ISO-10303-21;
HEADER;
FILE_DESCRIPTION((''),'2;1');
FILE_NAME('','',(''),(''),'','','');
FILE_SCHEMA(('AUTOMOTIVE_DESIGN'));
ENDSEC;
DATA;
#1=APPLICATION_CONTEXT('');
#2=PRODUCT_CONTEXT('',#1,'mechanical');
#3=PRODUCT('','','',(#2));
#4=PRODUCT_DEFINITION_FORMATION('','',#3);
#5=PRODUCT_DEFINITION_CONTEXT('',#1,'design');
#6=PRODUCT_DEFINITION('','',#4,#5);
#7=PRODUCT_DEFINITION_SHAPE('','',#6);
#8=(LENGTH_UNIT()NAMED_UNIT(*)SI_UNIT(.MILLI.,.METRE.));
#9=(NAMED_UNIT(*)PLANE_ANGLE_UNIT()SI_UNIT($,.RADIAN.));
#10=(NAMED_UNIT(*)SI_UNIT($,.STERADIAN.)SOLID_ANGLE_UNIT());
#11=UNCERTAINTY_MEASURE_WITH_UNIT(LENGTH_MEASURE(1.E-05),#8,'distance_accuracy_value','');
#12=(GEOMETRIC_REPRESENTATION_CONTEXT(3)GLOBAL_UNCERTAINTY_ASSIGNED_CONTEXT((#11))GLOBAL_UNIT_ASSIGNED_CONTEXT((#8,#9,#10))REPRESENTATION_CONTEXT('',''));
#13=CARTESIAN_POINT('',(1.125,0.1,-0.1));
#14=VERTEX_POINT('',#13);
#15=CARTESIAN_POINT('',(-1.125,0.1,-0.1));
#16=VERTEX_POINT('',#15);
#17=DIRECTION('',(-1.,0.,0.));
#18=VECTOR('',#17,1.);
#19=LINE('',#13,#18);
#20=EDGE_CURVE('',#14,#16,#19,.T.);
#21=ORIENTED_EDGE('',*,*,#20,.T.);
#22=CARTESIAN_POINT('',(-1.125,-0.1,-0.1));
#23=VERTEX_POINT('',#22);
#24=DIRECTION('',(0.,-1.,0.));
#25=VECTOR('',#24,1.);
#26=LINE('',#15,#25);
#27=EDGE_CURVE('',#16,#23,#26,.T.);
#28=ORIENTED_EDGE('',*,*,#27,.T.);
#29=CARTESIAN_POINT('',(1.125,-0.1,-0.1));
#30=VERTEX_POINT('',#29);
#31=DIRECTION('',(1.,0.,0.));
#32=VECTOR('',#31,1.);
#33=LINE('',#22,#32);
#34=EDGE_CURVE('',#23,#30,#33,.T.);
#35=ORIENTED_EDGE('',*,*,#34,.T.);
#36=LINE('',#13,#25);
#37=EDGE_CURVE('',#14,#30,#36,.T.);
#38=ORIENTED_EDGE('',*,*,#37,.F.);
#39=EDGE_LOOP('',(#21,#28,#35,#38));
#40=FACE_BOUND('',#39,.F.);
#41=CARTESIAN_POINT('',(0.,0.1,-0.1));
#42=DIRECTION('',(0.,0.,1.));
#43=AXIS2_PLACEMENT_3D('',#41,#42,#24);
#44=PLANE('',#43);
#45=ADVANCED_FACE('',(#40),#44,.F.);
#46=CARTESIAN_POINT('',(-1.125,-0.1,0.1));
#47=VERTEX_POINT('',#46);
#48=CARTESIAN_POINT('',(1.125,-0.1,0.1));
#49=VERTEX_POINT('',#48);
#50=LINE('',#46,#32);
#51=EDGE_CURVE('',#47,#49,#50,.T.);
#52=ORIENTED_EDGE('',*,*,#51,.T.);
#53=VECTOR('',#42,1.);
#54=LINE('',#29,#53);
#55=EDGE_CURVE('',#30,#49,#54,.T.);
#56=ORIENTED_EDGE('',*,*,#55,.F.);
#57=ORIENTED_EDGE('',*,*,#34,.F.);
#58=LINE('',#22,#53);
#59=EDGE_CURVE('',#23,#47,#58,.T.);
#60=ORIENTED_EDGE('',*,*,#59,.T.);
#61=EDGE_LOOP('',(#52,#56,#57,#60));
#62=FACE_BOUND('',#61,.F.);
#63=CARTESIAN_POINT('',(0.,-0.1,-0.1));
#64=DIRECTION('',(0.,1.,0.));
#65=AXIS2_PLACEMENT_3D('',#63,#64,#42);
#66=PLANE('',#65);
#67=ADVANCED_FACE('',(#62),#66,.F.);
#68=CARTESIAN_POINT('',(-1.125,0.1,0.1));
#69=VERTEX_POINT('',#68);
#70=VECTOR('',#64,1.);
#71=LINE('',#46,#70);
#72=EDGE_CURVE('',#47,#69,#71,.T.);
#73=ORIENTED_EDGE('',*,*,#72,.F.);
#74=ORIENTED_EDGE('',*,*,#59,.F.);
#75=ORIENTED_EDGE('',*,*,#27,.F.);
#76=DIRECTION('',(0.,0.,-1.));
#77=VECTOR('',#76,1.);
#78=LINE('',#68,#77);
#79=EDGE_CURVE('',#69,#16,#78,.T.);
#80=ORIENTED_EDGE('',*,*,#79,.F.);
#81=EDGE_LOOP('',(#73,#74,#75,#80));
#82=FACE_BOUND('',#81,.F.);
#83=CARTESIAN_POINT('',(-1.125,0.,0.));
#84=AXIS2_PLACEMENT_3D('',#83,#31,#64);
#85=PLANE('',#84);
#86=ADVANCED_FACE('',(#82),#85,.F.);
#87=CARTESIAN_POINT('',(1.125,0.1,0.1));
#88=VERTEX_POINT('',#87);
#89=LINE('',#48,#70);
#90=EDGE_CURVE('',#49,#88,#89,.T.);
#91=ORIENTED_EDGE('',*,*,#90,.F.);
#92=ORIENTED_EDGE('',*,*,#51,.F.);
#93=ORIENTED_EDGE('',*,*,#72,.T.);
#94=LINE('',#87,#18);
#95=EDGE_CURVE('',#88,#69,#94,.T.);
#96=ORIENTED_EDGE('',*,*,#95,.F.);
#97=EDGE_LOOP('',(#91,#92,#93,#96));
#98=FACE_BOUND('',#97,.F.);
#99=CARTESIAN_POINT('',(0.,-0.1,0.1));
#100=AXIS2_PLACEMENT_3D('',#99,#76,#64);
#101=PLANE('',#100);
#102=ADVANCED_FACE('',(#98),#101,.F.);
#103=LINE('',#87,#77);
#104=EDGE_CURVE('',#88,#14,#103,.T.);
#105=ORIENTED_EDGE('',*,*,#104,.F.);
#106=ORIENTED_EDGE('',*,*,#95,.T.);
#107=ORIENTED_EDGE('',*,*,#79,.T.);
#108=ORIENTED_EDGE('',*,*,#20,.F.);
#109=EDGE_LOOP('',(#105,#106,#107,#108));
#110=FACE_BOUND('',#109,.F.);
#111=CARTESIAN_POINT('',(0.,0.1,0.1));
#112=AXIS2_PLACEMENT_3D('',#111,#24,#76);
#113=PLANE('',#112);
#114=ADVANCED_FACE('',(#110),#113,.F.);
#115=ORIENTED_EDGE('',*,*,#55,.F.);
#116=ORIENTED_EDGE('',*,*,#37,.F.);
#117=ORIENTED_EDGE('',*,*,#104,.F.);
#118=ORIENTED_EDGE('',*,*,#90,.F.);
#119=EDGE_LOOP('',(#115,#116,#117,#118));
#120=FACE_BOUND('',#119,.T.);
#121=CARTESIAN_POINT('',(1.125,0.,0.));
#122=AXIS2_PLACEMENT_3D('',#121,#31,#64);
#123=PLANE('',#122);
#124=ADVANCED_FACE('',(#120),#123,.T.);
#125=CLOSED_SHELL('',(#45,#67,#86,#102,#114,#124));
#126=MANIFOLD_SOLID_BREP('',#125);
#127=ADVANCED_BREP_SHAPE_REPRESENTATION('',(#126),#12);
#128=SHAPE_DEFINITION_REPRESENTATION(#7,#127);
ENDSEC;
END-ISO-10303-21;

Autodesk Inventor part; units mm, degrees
ref_plane "YZ Plane" through (0, 0, 0) normal (1, 0, 0) x (0, 1, 0)
ref_plane "XZ Plane" through (0, 0, 0) normal (0, 1, 0) x (-1, 0, 0)
ref_plane "XY Plane" through (0, 0, 0) normal (0, 0, 1) x (1, 0, 0)
sketch "Sketch1" plane through (0, 0, 0) normal (1, 0, 0) x (0, 1, 0)
  line L0 (-0.1, 0.1) -> (0.1, 0.1)
  line L1 (0.1, 0.1) -> (0.1, -0.1)
  line L2 (0.1, -0.1) -> (-0.1, -0.1)
  line L3 (-0.1, -0.1) -> (-0.1, 0.1)
  line L4 (-0.1, 0.1) -> (0.1, -0.1) construction
  line L5 (0.1, 0.1) -> (-0.1, -0.1) construction
  point P0 (0, 0)
  dimension "d0" = 0.2
  dimension "d1" = 0.2
extrude "Extrusion1" add sketch "Sketch1" against normal mid plane 2.25
properties part number "Bone5_4_fix"
